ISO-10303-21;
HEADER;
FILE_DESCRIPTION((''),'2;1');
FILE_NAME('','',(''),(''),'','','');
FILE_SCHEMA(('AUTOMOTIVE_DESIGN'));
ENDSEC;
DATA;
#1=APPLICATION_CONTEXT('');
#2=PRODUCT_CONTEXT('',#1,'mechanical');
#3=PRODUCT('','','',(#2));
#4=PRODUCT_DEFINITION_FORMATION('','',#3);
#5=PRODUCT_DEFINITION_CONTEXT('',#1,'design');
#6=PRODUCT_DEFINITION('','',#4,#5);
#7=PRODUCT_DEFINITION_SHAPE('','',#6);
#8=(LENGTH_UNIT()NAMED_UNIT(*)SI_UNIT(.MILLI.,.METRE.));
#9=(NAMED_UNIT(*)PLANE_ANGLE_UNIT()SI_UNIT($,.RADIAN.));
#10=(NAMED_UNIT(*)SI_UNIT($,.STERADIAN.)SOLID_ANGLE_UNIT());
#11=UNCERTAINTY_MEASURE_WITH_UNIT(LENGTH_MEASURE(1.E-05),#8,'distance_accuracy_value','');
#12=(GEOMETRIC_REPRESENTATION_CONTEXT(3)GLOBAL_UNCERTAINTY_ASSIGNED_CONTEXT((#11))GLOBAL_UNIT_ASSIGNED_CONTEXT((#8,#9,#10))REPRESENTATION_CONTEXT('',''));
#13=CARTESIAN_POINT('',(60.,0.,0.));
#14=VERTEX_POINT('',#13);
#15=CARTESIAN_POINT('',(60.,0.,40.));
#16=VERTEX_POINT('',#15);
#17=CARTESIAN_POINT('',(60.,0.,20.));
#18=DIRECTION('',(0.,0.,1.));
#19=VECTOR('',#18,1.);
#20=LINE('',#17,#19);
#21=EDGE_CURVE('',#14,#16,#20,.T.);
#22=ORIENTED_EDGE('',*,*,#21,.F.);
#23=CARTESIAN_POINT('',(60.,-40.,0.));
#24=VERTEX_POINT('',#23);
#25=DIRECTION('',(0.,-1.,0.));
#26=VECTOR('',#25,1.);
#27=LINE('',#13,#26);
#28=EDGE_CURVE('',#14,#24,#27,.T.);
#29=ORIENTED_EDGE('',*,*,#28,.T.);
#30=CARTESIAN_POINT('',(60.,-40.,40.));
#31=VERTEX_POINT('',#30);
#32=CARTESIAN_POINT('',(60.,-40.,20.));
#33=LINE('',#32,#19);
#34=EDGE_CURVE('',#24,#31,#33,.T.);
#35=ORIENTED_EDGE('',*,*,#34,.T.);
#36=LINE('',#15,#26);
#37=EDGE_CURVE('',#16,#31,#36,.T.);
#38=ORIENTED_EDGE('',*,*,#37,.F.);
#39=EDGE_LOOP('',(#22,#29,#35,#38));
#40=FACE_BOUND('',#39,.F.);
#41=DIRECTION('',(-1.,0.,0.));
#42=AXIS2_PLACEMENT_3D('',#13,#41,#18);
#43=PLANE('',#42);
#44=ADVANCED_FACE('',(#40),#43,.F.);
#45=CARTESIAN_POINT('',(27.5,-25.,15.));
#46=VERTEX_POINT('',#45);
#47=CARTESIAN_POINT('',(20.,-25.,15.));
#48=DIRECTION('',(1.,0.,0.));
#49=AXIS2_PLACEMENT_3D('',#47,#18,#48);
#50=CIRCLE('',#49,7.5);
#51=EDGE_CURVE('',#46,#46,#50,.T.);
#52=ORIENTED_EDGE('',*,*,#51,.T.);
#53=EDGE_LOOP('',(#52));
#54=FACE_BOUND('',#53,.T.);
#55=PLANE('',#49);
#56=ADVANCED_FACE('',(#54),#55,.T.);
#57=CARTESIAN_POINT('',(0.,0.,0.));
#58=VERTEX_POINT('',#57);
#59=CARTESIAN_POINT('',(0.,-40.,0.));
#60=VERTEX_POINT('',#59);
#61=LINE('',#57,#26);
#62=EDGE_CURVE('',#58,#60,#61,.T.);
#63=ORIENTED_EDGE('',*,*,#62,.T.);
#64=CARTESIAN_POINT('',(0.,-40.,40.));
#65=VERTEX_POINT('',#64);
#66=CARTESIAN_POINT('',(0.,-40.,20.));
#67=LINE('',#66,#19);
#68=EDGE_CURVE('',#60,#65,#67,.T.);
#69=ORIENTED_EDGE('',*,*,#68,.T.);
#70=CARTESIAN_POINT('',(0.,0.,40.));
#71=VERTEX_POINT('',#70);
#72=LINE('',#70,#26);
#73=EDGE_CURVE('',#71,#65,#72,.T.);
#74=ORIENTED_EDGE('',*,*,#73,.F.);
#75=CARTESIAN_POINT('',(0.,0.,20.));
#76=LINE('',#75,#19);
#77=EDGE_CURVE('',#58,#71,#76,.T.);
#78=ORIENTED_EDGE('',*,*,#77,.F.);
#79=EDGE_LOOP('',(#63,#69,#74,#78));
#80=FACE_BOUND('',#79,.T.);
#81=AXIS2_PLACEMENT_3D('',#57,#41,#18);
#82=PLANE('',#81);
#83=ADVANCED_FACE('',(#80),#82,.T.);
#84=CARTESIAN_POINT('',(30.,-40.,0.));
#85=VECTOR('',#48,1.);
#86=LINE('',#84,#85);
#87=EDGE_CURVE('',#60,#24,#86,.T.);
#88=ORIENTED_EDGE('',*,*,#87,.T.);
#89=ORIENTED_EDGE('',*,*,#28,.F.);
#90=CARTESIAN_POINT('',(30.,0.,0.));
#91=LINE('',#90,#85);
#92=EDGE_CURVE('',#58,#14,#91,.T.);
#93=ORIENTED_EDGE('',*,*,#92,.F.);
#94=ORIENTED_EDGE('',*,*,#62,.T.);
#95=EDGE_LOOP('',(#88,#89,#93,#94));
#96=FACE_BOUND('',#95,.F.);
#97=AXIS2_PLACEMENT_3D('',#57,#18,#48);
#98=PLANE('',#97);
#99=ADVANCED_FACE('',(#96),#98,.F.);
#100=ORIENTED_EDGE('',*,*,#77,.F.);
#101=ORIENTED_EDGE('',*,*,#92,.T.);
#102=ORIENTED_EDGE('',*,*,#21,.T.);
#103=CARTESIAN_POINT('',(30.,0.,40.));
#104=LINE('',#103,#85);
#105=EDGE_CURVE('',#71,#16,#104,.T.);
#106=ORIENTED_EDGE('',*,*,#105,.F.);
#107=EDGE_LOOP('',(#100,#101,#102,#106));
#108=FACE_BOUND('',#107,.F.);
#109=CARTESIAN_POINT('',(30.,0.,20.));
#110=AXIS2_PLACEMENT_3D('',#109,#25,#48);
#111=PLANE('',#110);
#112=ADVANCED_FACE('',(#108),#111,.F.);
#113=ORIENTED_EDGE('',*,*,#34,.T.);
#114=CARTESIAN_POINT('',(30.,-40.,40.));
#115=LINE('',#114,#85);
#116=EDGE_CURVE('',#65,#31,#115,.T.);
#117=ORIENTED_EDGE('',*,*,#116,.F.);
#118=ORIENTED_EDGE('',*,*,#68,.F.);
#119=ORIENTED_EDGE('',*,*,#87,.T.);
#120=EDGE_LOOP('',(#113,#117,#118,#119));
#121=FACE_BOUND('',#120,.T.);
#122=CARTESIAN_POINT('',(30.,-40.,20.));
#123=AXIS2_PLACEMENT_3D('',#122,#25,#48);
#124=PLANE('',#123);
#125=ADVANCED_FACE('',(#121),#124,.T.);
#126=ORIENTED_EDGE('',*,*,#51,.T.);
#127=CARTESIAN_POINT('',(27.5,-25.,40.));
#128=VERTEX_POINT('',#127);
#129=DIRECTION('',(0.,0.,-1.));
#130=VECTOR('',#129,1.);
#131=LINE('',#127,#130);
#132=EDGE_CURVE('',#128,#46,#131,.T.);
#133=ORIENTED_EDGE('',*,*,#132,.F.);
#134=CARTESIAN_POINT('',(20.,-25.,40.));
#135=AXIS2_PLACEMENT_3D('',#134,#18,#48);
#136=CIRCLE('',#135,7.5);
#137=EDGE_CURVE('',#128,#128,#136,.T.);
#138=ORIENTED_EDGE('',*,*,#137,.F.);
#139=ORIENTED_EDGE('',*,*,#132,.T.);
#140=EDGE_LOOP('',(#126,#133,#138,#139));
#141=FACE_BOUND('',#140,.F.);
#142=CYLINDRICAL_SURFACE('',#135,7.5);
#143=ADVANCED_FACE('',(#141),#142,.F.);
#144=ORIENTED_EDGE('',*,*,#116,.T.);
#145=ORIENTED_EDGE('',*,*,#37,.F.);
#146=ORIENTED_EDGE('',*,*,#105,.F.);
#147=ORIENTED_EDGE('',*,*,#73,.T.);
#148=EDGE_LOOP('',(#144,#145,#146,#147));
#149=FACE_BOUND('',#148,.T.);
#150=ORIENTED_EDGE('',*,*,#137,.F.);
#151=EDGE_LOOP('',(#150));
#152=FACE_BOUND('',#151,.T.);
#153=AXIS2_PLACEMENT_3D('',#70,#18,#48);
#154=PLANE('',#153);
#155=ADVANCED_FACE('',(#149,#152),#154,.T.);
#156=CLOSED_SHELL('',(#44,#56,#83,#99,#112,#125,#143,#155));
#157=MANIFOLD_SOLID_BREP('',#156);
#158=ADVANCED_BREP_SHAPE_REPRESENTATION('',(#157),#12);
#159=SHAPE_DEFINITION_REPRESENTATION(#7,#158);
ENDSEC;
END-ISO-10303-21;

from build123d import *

# Parameters (mm, degrees)
F0_W     = 60
F0_H     = 40
F1_DEPTH = 40
F2_R     = 7.5
F3_DEPTH = 25


with BuildPart() as f1:
    # F0 (on Front) → F1 (new body)
    with BuildSketch(Plane.XZ):
        with Locations((30, 20)):
            Rectangle(F0_W, F0_H)
    extrude(amount=F1_DEPTH)

    # F2 (on face) → F3 (cut)
    with BuildSketch(Plane.XY.offset(40)):
        with Locations((20, -25)):
            Circle(F2_R)
    extrude(amount=-F3_DEPTH, mode=Mode.SUBTRACT)


solid = f1.part
